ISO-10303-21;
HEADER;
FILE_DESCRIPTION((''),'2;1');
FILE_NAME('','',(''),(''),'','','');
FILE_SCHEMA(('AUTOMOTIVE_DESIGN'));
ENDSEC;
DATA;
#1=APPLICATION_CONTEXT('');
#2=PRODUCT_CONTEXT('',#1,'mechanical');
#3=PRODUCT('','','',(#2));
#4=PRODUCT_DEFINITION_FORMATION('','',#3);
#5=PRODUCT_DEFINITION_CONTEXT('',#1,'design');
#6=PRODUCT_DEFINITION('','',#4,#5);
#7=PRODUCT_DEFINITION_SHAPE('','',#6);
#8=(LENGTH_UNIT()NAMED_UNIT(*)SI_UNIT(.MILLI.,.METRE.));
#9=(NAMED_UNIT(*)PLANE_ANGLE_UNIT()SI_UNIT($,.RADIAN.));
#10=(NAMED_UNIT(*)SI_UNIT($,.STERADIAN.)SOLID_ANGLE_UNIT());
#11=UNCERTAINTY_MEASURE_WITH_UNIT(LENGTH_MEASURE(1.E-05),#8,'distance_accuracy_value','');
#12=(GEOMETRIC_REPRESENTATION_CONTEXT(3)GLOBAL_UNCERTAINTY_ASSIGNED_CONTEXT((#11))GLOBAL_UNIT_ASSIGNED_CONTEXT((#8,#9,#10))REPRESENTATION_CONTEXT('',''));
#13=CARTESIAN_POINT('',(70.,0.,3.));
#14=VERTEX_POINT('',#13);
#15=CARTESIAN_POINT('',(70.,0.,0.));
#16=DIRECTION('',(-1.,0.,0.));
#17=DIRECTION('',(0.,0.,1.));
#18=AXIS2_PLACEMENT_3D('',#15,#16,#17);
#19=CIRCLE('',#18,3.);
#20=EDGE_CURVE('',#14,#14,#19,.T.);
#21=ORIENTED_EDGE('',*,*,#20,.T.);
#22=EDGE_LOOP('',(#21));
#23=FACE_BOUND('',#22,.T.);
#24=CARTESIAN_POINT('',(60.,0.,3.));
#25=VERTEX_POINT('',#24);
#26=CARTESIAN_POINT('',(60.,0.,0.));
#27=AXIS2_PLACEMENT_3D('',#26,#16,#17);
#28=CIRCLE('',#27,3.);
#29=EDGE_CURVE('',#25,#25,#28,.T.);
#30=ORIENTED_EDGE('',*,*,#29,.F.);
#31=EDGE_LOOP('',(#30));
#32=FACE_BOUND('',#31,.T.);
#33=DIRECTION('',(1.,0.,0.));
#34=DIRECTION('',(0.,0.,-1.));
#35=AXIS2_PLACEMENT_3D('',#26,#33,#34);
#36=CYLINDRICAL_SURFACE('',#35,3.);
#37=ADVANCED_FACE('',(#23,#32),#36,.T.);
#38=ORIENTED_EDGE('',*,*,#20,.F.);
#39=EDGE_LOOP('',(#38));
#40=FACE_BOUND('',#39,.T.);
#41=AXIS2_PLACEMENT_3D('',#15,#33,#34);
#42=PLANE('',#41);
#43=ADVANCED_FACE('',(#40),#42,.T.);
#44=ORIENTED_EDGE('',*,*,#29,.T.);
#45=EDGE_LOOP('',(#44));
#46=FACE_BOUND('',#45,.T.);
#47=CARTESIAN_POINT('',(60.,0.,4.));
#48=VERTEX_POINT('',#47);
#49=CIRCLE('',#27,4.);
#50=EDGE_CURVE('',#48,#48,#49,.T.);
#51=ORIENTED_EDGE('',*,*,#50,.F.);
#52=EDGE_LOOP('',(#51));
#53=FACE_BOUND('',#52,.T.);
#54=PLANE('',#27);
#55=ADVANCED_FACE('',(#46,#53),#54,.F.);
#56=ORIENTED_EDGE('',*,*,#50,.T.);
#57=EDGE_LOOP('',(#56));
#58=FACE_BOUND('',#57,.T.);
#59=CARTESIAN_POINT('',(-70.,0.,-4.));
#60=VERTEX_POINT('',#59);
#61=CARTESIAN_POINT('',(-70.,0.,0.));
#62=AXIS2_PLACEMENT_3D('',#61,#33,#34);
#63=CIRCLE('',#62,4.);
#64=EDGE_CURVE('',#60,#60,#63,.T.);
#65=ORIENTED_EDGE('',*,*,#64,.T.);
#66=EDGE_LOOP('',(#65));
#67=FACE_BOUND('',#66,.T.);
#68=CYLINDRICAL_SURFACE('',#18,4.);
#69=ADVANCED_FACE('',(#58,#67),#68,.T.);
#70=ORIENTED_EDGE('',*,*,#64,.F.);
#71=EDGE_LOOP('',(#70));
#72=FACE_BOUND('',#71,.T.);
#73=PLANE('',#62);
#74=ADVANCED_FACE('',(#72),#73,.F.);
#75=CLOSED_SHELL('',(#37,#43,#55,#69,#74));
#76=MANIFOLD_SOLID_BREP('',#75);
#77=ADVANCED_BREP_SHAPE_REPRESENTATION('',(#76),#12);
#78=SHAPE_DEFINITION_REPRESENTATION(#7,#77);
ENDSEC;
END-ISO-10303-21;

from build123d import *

# Parameters (mm, degrees)
SKETCH1_R           = 4
BOSS_EXTRUDE1_DEPTH = 70
SKETCH7_OUTSIDE_W   = 38.092
SKETCH7_OUTSIDE_H   = 38.092
SKETCH7_OUTSIDE_R   = 3
CUT_EXTRUDE4_DEPTH  = 10


with BuildPart() as part:
    # Sketch1 → Boss-Extrude1 (new, symmetric)
    with BuildSketch(Plane(origin=(0, 0, 0), x_dir=(0, 0, -1), z_dir=(1, 0, 0))):
        Circle(SKETCH1_R)
    extrude(amount=BOSS_EXTRUDE1_DEPTH, both=True)

    # Sketch7 outside → Cut-Extrude4 (cut)
    with BuildSketch(Plane.ZY.offset(-70)):
        Rectangle(SKETCH7_OUTSIDE_W, SKETCH7_OUTSIDE_H)
        Circle(SKETCH7_OUTSIDE_R, mode=Mode.SUBTRACT)
    extrude(amount=CUT_EXTRUDE4_DEPTH, mode=Mode.SUBTRACT)


solid = part.part
